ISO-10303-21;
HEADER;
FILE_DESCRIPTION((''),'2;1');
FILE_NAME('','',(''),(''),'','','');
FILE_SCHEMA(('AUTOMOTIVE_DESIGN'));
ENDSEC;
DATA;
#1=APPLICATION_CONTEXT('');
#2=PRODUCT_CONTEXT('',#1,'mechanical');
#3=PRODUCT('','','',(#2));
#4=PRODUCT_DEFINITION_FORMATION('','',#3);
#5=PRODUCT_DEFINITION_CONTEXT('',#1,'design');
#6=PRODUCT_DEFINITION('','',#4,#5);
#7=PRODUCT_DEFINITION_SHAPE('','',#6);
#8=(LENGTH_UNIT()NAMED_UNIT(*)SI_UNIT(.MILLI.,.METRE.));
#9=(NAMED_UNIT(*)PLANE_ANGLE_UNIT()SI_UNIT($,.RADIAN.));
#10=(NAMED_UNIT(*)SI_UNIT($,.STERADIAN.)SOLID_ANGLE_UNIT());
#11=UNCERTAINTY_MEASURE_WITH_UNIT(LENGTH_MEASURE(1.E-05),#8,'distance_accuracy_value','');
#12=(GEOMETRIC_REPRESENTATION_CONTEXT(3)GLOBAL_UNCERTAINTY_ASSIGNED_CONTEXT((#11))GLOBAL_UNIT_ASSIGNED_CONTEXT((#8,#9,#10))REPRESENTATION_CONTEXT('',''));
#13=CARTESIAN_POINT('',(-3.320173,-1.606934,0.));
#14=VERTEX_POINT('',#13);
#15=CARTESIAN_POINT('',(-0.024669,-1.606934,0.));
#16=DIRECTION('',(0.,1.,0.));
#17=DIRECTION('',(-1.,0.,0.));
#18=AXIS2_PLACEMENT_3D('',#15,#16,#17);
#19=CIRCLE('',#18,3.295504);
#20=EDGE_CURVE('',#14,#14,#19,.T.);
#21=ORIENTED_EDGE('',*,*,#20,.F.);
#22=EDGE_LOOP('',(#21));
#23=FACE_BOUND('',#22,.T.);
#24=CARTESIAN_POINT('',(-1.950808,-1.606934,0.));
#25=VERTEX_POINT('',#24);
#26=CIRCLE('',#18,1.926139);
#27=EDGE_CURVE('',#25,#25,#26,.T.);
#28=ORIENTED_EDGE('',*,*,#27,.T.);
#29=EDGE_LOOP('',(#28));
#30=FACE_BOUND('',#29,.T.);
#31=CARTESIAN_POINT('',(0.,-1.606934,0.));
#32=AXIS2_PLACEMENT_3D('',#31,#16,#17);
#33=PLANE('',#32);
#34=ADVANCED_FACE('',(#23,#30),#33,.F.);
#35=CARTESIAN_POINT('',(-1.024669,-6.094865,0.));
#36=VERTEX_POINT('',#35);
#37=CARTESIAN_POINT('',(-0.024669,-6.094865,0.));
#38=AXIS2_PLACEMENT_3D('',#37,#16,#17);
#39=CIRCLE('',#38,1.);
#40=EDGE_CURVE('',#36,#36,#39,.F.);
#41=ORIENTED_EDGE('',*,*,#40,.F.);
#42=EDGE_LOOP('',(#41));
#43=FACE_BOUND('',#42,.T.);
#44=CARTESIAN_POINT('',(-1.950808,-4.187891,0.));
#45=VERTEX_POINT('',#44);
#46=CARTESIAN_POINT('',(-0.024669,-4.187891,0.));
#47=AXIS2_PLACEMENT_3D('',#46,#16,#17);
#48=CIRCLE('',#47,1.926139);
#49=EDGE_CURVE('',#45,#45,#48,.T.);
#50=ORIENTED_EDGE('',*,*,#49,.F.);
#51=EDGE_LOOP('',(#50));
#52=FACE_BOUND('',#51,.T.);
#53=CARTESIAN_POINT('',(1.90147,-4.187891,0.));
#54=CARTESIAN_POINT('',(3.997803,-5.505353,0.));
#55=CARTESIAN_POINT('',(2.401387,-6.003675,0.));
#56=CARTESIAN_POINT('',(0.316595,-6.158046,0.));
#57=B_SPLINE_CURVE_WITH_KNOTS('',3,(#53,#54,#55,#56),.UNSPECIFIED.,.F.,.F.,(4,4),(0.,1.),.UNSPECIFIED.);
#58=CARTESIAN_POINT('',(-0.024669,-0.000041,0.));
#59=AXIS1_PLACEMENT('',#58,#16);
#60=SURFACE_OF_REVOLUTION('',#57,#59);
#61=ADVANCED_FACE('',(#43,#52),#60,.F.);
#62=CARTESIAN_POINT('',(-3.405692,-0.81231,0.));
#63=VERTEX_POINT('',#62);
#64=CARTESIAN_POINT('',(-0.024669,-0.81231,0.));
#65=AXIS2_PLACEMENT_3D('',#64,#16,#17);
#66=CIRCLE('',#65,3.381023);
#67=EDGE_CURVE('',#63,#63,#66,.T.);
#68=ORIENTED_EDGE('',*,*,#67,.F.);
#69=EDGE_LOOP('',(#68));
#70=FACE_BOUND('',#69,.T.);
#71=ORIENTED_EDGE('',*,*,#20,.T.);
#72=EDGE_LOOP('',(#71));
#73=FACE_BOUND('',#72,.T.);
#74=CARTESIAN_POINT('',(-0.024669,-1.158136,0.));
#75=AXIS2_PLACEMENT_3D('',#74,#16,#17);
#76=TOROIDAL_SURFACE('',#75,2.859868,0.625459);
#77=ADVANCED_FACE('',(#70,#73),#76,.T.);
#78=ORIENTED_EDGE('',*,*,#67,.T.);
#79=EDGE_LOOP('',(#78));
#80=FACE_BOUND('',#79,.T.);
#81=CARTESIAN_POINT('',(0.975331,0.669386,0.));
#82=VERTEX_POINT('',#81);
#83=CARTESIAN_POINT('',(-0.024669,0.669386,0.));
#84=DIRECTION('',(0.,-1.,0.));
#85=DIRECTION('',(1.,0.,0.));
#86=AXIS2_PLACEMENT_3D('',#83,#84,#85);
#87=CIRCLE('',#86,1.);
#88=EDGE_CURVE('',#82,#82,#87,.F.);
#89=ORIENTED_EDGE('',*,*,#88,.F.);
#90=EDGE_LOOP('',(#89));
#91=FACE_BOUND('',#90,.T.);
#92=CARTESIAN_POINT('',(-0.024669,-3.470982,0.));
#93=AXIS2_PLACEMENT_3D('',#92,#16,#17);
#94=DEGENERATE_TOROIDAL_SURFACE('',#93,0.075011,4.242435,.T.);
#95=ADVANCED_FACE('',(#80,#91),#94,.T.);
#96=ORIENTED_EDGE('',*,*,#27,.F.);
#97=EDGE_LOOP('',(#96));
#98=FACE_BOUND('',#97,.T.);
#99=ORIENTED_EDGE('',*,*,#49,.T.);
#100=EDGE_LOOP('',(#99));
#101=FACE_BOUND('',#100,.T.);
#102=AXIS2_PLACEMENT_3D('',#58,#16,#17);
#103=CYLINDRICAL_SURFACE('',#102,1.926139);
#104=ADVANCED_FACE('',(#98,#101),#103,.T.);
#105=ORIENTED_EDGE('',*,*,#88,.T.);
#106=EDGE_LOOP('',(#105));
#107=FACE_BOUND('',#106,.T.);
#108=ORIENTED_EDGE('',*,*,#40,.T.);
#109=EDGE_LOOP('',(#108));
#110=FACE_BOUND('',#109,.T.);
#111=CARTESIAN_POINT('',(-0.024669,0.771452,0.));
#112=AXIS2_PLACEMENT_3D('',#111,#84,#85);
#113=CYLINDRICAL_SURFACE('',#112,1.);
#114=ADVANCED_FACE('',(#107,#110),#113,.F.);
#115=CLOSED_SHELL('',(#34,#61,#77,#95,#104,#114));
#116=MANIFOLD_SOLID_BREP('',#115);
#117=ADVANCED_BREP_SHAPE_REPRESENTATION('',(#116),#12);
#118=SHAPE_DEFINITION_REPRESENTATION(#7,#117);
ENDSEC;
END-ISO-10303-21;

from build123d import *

# Parameters (mm, degrees)
SKETCH2_R          = 1
CUT_EXTRUDE2_DEPTH = 9.513842467


with BuildPart() as part:
    # Sketch1 → Revolve1 (revolve)
    with BuildSketch(Plane.XY):
        with BuildLine():
            add(Edge.make_bspline(
                [(1.901469747, -4.187890833), (3.997803393, -5.505352851), (2.40138715, -6.003675185), (0.316595481, -6.158045679)],
                knots=[0, 0, 0, 0, 1, 1, 1, 1], degree=3))
            Line((1.901469747, -4.187890833), (1.901469747, -1.606934047))
            Line((1.901469747, -1.606934047), (3.270835138, -1.606934047))
            ThreePointArc((3.270835138, -1.606934047), (3.457066196, -1.22506293), (3.356353959, -0.812310458))
            ThreePointArc((3.356353959, -0.812310458), (3.314000681, -0.760487314), (3.270835138, -0.709338763))
            ThreePointArc((3.270835138, -0.709338763), (1.788504548, 0.399036147), (-0.024669059, 0.770789271))
            Line((-0.024669059, 0.770789271), (-0.024669059, -6.158045679))
            Line((-0.024669059, -6.158045679), (0.316595481, -6.158045679))
        make_face()
    revolve(axis=Axis((-0.024669059, -4.1454e-05, 0), (0, -1, 0)))

    # Sketch2 → Cut-Extrude2 (cut, through all)
    with BuildSketch(Plane(origin=(0, -6.158045679, 0), x_dir=(-1, 0, 0), z_dir=(0, -1, 0))):
        with Locations((0.024669059, 0)):
            Circle(SKETCH2_R)
    extrude(amount=-CUT_EXTRUDE2_DEPTH, mode=Mode.SUBTRACT)


solid = part.part
